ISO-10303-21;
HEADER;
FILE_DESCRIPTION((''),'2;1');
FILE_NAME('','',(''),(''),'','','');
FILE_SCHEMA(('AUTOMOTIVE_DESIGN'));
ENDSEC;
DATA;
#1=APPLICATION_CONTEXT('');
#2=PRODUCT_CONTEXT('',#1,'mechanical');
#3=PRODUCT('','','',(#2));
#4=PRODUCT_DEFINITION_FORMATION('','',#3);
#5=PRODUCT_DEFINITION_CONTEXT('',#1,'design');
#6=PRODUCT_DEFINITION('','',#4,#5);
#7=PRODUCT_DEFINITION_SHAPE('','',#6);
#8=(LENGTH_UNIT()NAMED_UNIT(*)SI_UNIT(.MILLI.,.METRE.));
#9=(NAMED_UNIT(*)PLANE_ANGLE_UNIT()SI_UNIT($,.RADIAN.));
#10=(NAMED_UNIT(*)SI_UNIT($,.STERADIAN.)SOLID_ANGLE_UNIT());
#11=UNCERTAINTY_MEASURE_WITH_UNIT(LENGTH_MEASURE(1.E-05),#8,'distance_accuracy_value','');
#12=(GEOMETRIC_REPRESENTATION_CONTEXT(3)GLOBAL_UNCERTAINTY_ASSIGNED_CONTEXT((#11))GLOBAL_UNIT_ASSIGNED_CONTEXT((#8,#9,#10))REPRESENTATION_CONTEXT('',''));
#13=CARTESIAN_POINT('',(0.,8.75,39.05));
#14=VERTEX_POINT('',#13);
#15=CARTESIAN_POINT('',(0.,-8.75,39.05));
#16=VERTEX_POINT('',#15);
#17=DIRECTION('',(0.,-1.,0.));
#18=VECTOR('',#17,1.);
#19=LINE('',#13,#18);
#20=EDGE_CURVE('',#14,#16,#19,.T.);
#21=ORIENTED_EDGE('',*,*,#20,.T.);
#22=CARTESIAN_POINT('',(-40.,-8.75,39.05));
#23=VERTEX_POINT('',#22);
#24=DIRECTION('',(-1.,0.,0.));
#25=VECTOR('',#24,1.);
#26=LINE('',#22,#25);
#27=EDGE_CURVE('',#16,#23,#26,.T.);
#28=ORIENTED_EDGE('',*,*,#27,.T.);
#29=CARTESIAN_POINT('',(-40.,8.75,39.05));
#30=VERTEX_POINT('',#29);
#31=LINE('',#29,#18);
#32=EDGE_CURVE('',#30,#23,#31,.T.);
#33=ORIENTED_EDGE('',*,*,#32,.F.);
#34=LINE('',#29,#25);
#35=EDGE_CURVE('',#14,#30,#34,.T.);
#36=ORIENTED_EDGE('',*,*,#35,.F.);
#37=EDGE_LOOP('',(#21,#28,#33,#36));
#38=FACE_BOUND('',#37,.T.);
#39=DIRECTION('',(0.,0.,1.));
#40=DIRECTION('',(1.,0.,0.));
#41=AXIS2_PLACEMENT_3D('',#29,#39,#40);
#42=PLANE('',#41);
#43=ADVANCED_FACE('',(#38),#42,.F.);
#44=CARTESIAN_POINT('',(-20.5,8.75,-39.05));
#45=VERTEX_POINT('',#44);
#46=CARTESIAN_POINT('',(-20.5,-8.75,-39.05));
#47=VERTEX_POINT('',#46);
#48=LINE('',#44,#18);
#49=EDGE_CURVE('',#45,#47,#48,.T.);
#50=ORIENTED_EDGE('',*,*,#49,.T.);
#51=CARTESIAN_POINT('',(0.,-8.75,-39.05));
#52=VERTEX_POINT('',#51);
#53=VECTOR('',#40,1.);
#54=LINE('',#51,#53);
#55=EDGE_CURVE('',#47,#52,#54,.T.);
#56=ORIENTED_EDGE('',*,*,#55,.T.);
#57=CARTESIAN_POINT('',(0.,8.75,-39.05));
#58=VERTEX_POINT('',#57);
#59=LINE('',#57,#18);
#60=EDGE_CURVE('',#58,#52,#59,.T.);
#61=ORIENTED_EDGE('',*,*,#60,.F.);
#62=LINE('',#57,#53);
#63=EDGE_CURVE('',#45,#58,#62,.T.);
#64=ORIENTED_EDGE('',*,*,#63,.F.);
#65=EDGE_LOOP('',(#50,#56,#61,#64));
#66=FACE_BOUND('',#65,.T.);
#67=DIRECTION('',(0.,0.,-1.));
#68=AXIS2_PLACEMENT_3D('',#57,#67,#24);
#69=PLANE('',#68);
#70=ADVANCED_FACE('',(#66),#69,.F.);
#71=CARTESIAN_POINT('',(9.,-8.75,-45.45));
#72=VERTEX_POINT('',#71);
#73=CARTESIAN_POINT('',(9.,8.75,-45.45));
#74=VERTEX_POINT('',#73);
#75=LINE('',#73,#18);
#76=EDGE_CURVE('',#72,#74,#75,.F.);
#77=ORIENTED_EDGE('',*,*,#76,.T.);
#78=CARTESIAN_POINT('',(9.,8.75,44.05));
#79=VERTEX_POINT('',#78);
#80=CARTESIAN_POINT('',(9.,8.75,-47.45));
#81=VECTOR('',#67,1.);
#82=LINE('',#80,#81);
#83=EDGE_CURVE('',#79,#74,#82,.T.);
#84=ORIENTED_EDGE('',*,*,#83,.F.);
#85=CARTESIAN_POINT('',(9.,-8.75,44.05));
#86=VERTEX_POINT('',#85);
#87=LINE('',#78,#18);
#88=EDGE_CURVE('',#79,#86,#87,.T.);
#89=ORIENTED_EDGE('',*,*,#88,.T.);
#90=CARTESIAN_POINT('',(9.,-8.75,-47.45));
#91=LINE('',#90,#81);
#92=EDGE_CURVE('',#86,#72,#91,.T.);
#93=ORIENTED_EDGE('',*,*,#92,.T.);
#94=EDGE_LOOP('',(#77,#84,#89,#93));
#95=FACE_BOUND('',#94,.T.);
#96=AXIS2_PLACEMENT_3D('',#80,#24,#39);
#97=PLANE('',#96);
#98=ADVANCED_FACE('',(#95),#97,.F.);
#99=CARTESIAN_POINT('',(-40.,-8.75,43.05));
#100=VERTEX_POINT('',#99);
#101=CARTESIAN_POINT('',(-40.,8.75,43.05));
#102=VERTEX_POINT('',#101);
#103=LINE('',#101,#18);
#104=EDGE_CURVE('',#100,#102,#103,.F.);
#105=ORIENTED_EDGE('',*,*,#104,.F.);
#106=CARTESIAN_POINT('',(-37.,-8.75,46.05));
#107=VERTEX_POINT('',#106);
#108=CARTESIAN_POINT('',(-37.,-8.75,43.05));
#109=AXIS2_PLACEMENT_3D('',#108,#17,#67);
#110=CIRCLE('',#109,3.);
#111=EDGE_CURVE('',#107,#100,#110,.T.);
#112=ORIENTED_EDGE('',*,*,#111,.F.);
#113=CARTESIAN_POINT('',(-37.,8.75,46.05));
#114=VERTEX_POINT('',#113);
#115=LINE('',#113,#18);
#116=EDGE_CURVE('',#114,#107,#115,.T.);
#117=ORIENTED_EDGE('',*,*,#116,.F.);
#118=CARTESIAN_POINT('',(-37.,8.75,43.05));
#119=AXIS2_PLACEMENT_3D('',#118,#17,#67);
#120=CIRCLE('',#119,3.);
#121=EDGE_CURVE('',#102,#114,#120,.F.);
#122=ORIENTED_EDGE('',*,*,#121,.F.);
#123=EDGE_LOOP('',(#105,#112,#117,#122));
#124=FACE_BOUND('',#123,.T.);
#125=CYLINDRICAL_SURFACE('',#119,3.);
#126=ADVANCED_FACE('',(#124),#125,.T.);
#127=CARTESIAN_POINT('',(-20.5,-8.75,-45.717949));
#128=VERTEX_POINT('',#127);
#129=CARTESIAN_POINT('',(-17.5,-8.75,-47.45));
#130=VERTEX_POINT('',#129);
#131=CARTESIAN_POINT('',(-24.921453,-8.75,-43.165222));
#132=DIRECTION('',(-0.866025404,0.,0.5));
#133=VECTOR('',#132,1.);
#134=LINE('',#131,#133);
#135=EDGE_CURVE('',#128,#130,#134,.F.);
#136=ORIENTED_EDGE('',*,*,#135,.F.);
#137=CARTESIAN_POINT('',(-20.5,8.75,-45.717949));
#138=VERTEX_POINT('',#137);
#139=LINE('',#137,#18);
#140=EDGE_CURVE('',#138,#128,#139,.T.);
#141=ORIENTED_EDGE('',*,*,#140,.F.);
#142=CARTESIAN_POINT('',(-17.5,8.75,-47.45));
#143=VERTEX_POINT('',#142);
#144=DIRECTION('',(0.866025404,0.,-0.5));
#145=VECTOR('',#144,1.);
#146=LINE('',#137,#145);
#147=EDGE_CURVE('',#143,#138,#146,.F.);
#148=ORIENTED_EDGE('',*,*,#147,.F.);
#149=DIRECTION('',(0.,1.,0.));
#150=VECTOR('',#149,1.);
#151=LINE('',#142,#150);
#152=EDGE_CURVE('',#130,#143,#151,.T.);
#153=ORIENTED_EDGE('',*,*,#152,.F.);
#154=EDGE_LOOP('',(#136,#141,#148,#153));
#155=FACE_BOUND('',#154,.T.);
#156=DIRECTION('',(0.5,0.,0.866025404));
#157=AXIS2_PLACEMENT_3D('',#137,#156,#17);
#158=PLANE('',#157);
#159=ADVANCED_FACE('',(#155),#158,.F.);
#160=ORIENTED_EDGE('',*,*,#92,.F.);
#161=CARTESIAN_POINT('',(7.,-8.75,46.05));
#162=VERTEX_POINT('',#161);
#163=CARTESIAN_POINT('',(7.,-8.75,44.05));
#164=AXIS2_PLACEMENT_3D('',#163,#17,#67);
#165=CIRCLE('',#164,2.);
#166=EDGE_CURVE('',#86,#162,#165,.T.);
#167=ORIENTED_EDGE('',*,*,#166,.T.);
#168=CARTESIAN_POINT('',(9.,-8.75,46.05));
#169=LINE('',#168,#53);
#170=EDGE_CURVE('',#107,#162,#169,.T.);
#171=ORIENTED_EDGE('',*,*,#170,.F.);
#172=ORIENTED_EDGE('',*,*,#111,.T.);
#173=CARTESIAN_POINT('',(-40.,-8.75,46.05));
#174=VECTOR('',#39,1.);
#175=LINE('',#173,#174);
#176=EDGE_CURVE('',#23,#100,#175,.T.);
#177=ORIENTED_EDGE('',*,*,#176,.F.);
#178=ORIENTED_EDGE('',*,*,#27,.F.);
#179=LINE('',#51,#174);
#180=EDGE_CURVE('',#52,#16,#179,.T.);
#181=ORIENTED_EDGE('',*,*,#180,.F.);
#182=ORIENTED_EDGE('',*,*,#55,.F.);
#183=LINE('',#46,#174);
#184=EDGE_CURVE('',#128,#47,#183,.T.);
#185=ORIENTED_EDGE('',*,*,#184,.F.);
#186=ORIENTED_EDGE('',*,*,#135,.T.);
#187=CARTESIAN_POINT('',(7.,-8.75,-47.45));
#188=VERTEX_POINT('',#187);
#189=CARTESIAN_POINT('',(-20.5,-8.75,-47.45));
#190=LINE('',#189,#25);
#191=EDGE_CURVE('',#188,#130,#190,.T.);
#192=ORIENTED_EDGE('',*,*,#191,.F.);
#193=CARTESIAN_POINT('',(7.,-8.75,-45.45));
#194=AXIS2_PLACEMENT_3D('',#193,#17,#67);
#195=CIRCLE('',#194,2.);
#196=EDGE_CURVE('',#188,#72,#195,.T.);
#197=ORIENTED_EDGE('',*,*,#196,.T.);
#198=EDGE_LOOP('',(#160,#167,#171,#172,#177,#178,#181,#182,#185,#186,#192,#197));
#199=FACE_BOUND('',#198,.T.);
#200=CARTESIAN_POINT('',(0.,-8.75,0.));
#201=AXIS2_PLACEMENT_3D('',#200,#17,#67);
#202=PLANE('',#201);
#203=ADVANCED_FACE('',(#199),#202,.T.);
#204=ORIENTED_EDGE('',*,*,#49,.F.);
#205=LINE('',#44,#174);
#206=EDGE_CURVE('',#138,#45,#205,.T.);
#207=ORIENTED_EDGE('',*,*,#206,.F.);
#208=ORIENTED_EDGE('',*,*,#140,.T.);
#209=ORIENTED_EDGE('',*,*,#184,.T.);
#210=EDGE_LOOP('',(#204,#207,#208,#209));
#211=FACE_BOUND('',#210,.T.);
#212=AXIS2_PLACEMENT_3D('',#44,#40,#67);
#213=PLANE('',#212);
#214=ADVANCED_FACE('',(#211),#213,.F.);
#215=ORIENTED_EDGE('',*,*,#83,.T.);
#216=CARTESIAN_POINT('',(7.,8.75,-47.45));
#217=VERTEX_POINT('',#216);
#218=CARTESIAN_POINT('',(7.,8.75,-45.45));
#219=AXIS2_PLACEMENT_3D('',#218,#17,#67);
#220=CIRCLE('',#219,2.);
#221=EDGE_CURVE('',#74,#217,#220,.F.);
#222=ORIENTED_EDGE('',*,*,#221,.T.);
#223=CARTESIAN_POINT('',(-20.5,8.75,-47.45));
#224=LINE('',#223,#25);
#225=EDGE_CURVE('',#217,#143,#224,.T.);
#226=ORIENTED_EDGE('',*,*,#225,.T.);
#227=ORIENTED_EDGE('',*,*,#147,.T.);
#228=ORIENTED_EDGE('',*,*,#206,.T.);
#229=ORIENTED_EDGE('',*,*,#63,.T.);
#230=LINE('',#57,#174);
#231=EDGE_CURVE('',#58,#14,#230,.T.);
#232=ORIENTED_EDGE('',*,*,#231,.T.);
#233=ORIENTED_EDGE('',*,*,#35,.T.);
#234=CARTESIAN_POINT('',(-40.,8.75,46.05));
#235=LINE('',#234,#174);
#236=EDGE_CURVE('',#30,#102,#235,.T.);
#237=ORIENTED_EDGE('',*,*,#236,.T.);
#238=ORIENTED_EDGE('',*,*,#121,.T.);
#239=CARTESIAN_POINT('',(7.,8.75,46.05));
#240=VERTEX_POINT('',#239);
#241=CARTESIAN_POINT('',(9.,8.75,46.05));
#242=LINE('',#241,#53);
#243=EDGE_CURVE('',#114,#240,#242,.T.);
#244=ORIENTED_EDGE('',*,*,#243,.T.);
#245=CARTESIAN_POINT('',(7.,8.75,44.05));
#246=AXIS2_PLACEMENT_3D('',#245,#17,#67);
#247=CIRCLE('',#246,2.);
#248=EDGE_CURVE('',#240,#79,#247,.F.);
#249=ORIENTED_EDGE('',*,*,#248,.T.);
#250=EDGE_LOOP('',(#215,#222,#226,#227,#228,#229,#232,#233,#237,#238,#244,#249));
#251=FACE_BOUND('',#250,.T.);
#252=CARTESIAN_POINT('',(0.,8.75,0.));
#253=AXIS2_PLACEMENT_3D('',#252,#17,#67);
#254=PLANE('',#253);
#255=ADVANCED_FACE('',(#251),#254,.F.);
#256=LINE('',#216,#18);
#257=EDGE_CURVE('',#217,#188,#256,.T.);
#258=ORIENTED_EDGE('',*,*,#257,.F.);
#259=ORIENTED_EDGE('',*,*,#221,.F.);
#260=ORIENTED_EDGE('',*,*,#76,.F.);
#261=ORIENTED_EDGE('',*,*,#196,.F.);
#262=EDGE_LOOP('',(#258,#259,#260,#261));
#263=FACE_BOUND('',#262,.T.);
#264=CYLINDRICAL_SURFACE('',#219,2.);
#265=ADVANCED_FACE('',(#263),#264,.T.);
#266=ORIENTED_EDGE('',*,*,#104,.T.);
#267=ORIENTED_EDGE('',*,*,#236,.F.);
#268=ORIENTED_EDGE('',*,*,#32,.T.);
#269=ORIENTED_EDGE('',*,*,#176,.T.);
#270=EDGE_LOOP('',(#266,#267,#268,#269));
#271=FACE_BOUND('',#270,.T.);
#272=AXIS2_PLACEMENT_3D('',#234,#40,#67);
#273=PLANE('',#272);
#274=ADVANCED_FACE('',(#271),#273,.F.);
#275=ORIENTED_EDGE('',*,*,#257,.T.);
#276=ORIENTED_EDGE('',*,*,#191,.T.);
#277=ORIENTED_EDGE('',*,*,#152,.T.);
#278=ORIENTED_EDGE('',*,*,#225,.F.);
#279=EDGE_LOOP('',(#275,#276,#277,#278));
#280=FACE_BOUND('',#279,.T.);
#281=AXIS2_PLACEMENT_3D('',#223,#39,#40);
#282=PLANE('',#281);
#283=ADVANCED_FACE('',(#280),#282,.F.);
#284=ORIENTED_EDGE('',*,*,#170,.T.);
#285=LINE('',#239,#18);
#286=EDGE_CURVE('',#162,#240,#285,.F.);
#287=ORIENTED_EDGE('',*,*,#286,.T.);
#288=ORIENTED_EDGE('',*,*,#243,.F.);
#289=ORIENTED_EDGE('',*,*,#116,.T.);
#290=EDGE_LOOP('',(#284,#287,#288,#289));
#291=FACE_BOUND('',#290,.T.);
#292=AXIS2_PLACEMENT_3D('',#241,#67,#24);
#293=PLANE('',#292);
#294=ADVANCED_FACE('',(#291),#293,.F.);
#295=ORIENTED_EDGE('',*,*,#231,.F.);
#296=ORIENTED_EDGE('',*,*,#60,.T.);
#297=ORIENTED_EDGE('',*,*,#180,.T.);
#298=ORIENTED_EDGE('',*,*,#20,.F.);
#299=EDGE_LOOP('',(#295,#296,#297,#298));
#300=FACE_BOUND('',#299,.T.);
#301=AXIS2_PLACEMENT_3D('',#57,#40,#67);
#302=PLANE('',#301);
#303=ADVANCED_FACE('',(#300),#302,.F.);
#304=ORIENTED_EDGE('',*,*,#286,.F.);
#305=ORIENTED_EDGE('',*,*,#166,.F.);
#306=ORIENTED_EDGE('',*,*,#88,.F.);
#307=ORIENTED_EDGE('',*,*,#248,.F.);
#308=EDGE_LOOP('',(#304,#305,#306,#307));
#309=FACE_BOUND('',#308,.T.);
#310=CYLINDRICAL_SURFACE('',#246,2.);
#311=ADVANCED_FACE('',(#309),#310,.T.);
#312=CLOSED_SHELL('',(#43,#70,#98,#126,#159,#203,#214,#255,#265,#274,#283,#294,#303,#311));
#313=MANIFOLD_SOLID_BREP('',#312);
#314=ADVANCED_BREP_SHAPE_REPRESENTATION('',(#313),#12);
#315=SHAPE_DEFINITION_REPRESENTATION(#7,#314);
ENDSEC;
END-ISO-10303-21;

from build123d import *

# Parameters (mm, degrees)
BOSS_EXTRUDE1_DEPTH = 8.75
FILLET1_R           = 2
CHAMFER1_SIZE       = 3
CHAMFER1_SIZE2      = 1.732050808
FILLET2_R           = 3


with BuildPart() as part:
    # Sketch1 → Boss-Extrude1 (new, symmetric)
    with BuildSketch(Plane(origin=(0, 0, 0), x_dir=(1, 0, 0), z_dir=(0, 1, 0))):
        Polygon((0, 39.05), (0, -39.05), (-40, -39.05), (-40, -46.05), (9, -46.05), (9, 47.45), (-20.5, 47.45), (-20.5, 39.05), align=None)
    extrude(amount=BOSS_EXTRUDE1_DEPTH, both=True)

    # Fillet1
    fillet1_edges = [part.edges().sort_by_distance(p)[0] for p in [
        (9, 0, -47.45),
        (9, 0, 46.05),
    ]]
    fillet(fillet1_edges, radius=FILLET1_R)

    # Chamfer1
    chamfer1_edges = [part.edges().sort_by_distance(p)[0] for p in [
        (-20.5, 0, -47.45),
    ]]
    chamfer1_side = [part.faces().sort_by_distance(p)[0] for p in [
        (-6.75, 0, -47.45),
    ]]
    chamfer(chamfer1_edges, length=CHAMFER1_SIZE, length2=CHAMFER1_SIZE2, reference=chamfer1_side[0])

    # Fillet2
    fillet2_edges = [part.edges().sort_by_distance(p)[0] for p in [
        (-40, 0, 46.05),
    ]]
    fillet(fillet2_edges, radius=FILLET2_R)


solid = part.part
